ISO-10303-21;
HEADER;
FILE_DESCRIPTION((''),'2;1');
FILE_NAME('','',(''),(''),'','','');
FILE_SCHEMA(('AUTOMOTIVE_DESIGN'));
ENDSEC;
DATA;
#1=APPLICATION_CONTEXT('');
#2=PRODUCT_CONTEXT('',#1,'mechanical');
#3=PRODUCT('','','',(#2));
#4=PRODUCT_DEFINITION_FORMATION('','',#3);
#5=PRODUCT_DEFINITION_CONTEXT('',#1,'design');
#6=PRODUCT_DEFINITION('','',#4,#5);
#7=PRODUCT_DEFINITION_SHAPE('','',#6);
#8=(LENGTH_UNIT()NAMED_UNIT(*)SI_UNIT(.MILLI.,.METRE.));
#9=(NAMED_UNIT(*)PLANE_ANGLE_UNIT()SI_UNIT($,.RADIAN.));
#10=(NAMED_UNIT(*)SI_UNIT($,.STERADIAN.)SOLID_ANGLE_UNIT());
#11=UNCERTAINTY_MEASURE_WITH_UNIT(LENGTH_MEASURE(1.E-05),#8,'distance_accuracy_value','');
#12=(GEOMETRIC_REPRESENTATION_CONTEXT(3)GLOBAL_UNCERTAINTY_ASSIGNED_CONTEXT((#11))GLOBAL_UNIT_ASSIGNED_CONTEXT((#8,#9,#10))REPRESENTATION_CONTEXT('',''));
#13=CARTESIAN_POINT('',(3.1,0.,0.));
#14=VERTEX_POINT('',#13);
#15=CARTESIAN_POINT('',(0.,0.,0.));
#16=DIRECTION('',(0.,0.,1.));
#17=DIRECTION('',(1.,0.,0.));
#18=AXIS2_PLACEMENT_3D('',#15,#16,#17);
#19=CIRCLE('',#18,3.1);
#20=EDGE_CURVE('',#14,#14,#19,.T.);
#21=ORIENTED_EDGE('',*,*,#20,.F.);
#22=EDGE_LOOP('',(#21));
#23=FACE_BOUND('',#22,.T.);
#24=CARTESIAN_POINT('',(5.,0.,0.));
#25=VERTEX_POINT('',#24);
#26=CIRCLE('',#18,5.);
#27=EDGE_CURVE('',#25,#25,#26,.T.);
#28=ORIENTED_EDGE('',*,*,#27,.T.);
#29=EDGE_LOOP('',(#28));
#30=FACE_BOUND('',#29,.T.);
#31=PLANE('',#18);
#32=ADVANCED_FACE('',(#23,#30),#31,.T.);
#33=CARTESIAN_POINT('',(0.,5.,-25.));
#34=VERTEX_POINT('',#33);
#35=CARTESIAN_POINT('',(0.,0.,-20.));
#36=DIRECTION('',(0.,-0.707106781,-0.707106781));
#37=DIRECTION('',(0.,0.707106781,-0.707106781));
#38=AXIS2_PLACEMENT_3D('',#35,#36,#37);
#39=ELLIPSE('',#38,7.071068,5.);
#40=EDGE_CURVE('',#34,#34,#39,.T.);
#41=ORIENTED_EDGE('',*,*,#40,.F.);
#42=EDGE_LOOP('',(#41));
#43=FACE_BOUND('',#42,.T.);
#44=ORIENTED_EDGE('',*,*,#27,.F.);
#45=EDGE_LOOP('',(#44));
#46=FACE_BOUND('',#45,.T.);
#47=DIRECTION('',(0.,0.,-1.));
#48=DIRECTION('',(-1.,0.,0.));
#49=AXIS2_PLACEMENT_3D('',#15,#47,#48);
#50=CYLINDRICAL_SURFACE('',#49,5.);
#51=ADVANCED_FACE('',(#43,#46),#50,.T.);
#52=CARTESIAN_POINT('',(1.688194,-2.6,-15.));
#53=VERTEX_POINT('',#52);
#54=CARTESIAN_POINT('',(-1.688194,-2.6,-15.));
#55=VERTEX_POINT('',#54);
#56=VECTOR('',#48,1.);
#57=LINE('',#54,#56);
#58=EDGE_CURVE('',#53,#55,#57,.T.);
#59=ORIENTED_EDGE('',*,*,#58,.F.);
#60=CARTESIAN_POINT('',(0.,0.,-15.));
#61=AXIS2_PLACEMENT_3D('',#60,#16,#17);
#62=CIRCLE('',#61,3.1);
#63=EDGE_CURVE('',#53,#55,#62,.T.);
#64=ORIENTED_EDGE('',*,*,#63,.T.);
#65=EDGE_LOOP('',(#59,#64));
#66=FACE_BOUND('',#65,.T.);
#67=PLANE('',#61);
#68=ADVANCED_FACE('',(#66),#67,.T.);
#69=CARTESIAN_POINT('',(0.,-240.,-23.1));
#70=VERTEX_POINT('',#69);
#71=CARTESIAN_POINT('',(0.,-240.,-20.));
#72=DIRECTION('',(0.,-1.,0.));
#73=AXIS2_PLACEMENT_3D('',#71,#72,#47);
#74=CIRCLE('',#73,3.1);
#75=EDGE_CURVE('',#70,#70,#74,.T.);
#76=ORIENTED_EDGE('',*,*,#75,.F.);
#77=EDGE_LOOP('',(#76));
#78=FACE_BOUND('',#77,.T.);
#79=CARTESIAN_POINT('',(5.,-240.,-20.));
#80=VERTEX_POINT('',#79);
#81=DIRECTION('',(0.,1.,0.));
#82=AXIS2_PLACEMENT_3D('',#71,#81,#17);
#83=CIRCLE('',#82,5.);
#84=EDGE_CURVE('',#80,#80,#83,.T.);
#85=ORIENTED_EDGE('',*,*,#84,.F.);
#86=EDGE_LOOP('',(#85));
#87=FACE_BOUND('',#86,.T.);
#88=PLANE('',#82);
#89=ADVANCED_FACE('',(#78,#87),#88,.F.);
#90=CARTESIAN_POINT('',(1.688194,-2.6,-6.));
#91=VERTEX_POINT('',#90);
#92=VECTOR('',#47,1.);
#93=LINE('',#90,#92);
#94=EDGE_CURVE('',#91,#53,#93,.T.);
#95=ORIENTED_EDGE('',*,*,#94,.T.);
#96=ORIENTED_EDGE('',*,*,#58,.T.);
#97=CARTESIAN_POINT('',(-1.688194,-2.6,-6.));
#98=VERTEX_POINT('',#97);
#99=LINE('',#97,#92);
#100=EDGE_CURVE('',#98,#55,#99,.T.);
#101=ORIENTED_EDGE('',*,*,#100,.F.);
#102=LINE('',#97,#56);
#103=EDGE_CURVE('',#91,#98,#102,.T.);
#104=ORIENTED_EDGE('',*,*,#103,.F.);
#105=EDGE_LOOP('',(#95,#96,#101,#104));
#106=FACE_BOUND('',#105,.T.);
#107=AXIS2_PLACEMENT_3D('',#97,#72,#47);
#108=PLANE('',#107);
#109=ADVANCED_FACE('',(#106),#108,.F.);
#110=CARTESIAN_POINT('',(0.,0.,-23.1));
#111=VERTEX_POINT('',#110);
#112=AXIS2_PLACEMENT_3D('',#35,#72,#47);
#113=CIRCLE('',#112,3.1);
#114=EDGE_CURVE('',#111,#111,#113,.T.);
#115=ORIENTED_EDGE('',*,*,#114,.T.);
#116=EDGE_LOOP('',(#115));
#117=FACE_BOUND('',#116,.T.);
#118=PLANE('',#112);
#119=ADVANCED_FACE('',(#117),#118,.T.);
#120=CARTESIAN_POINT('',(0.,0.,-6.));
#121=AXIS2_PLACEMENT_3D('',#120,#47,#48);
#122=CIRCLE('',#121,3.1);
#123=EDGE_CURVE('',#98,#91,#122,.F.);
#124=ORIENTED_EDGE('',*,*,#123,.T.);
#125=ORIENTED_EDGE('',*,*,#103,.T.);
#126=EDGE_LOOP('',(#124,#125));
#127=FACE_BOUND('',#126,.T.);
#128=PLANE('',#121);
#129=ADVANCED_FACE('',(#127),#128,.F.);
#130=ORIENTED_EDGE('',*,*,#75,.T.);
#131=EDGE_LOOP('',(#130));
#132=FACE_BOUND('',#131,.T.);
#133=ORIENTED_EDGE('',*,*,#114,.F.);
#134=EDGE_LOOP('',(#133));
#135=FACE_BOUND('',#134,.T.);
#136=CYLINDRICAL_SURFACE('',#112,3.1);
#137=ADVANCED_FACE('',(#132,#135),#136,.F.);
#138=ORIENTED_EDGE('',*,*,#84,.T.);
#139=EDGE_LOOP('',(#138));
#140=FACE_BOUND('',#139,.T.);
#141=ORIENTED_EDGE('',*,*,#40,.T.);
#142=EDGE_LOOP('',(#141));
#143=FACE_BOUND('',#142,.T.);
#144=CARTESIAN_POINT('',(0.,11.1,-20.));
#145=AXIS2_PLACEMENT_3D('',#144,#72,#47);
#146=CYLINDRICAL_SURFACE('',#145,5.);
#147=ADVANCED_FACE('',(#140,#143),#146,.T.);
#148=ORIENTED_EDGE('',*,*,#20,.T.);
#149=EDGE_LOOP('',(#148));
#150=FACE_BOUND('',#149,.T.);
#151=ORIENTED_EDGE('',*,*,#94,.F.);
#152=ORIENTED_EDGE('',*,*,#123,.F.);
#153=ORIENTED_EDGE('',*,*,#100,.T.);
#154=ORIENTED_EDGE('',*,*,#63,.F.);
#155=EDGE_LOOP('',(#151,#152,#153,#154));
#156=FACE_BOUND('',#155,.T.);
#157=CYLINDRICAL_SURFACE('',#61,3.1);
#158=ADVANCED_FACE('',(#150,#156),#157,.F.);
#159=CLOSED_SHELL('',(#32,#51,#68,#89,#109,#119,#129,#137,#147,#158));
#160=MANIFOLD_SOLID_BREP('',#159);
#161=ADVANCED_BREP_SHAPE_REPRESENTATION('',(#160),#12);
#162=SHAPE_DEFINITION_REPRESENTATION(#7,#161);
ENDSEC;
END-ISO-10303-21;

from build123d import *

# Parameters (mm, degrees)
SKETCH1_R           = 5
SKETCH2_R           = 3.1
CUT_EXTRUDE1_DEPTH  = 15
SKETCH4_W           = 3.376388604
SKETCH4_H           = 1
BOSS_EXTRUDE1_DEPTH = 9
SKETCH5_R           = 3.1
CUT_EXTRUDE2_DEPTH  = 240


with BuildPart() as part:
    # Sweep1: sweep along a curve in space
    with BuildLine() as sweep1_path:
        Line((0, 0, 0), (0, 0, -20))
        Line((0, 0, -20), (0, -240, -20))
    # Sketch1 → Sweep1 (sweep)
    with BuildSketch(Plane.XY):
        Circle(SKETCH1_R)
    sweep(path=sweep1_path.line, transition=Transition.RIGHT)

    # Sketch2 → Cut-Extrude1 (cut)
    with BuildSketch(Plane.XY):
        Circle(SKETCH2_R)
    extrude(amount=-CUT_EXTRUDE1_DEPTH, mode=Mode.SUBTRACT)

    # Sketch4 → Boss-Extrude1 (add)
    with BuildSketch(Plane.XY.offset(-15)):
        with Locations((0, -3.1)):
            Rectangle(SKETCH4_W, SKETCH4_H)
    extrude(amount=BOSS_EXTRUDE1_DEPTH)

    # Sketch5 → Cut-Extrude2 (cut)
    with BuildSketch(Plane.XZ.offset(240)):
        with Locations(Location((0, -20, 0), (0, 0, 270))):
            Circle(SKETCH5_R)
    extrude(amount=-CUT_EXTRUDE2_DEPTH, mode=Mode.SUBTRACT)


solid = part.part
